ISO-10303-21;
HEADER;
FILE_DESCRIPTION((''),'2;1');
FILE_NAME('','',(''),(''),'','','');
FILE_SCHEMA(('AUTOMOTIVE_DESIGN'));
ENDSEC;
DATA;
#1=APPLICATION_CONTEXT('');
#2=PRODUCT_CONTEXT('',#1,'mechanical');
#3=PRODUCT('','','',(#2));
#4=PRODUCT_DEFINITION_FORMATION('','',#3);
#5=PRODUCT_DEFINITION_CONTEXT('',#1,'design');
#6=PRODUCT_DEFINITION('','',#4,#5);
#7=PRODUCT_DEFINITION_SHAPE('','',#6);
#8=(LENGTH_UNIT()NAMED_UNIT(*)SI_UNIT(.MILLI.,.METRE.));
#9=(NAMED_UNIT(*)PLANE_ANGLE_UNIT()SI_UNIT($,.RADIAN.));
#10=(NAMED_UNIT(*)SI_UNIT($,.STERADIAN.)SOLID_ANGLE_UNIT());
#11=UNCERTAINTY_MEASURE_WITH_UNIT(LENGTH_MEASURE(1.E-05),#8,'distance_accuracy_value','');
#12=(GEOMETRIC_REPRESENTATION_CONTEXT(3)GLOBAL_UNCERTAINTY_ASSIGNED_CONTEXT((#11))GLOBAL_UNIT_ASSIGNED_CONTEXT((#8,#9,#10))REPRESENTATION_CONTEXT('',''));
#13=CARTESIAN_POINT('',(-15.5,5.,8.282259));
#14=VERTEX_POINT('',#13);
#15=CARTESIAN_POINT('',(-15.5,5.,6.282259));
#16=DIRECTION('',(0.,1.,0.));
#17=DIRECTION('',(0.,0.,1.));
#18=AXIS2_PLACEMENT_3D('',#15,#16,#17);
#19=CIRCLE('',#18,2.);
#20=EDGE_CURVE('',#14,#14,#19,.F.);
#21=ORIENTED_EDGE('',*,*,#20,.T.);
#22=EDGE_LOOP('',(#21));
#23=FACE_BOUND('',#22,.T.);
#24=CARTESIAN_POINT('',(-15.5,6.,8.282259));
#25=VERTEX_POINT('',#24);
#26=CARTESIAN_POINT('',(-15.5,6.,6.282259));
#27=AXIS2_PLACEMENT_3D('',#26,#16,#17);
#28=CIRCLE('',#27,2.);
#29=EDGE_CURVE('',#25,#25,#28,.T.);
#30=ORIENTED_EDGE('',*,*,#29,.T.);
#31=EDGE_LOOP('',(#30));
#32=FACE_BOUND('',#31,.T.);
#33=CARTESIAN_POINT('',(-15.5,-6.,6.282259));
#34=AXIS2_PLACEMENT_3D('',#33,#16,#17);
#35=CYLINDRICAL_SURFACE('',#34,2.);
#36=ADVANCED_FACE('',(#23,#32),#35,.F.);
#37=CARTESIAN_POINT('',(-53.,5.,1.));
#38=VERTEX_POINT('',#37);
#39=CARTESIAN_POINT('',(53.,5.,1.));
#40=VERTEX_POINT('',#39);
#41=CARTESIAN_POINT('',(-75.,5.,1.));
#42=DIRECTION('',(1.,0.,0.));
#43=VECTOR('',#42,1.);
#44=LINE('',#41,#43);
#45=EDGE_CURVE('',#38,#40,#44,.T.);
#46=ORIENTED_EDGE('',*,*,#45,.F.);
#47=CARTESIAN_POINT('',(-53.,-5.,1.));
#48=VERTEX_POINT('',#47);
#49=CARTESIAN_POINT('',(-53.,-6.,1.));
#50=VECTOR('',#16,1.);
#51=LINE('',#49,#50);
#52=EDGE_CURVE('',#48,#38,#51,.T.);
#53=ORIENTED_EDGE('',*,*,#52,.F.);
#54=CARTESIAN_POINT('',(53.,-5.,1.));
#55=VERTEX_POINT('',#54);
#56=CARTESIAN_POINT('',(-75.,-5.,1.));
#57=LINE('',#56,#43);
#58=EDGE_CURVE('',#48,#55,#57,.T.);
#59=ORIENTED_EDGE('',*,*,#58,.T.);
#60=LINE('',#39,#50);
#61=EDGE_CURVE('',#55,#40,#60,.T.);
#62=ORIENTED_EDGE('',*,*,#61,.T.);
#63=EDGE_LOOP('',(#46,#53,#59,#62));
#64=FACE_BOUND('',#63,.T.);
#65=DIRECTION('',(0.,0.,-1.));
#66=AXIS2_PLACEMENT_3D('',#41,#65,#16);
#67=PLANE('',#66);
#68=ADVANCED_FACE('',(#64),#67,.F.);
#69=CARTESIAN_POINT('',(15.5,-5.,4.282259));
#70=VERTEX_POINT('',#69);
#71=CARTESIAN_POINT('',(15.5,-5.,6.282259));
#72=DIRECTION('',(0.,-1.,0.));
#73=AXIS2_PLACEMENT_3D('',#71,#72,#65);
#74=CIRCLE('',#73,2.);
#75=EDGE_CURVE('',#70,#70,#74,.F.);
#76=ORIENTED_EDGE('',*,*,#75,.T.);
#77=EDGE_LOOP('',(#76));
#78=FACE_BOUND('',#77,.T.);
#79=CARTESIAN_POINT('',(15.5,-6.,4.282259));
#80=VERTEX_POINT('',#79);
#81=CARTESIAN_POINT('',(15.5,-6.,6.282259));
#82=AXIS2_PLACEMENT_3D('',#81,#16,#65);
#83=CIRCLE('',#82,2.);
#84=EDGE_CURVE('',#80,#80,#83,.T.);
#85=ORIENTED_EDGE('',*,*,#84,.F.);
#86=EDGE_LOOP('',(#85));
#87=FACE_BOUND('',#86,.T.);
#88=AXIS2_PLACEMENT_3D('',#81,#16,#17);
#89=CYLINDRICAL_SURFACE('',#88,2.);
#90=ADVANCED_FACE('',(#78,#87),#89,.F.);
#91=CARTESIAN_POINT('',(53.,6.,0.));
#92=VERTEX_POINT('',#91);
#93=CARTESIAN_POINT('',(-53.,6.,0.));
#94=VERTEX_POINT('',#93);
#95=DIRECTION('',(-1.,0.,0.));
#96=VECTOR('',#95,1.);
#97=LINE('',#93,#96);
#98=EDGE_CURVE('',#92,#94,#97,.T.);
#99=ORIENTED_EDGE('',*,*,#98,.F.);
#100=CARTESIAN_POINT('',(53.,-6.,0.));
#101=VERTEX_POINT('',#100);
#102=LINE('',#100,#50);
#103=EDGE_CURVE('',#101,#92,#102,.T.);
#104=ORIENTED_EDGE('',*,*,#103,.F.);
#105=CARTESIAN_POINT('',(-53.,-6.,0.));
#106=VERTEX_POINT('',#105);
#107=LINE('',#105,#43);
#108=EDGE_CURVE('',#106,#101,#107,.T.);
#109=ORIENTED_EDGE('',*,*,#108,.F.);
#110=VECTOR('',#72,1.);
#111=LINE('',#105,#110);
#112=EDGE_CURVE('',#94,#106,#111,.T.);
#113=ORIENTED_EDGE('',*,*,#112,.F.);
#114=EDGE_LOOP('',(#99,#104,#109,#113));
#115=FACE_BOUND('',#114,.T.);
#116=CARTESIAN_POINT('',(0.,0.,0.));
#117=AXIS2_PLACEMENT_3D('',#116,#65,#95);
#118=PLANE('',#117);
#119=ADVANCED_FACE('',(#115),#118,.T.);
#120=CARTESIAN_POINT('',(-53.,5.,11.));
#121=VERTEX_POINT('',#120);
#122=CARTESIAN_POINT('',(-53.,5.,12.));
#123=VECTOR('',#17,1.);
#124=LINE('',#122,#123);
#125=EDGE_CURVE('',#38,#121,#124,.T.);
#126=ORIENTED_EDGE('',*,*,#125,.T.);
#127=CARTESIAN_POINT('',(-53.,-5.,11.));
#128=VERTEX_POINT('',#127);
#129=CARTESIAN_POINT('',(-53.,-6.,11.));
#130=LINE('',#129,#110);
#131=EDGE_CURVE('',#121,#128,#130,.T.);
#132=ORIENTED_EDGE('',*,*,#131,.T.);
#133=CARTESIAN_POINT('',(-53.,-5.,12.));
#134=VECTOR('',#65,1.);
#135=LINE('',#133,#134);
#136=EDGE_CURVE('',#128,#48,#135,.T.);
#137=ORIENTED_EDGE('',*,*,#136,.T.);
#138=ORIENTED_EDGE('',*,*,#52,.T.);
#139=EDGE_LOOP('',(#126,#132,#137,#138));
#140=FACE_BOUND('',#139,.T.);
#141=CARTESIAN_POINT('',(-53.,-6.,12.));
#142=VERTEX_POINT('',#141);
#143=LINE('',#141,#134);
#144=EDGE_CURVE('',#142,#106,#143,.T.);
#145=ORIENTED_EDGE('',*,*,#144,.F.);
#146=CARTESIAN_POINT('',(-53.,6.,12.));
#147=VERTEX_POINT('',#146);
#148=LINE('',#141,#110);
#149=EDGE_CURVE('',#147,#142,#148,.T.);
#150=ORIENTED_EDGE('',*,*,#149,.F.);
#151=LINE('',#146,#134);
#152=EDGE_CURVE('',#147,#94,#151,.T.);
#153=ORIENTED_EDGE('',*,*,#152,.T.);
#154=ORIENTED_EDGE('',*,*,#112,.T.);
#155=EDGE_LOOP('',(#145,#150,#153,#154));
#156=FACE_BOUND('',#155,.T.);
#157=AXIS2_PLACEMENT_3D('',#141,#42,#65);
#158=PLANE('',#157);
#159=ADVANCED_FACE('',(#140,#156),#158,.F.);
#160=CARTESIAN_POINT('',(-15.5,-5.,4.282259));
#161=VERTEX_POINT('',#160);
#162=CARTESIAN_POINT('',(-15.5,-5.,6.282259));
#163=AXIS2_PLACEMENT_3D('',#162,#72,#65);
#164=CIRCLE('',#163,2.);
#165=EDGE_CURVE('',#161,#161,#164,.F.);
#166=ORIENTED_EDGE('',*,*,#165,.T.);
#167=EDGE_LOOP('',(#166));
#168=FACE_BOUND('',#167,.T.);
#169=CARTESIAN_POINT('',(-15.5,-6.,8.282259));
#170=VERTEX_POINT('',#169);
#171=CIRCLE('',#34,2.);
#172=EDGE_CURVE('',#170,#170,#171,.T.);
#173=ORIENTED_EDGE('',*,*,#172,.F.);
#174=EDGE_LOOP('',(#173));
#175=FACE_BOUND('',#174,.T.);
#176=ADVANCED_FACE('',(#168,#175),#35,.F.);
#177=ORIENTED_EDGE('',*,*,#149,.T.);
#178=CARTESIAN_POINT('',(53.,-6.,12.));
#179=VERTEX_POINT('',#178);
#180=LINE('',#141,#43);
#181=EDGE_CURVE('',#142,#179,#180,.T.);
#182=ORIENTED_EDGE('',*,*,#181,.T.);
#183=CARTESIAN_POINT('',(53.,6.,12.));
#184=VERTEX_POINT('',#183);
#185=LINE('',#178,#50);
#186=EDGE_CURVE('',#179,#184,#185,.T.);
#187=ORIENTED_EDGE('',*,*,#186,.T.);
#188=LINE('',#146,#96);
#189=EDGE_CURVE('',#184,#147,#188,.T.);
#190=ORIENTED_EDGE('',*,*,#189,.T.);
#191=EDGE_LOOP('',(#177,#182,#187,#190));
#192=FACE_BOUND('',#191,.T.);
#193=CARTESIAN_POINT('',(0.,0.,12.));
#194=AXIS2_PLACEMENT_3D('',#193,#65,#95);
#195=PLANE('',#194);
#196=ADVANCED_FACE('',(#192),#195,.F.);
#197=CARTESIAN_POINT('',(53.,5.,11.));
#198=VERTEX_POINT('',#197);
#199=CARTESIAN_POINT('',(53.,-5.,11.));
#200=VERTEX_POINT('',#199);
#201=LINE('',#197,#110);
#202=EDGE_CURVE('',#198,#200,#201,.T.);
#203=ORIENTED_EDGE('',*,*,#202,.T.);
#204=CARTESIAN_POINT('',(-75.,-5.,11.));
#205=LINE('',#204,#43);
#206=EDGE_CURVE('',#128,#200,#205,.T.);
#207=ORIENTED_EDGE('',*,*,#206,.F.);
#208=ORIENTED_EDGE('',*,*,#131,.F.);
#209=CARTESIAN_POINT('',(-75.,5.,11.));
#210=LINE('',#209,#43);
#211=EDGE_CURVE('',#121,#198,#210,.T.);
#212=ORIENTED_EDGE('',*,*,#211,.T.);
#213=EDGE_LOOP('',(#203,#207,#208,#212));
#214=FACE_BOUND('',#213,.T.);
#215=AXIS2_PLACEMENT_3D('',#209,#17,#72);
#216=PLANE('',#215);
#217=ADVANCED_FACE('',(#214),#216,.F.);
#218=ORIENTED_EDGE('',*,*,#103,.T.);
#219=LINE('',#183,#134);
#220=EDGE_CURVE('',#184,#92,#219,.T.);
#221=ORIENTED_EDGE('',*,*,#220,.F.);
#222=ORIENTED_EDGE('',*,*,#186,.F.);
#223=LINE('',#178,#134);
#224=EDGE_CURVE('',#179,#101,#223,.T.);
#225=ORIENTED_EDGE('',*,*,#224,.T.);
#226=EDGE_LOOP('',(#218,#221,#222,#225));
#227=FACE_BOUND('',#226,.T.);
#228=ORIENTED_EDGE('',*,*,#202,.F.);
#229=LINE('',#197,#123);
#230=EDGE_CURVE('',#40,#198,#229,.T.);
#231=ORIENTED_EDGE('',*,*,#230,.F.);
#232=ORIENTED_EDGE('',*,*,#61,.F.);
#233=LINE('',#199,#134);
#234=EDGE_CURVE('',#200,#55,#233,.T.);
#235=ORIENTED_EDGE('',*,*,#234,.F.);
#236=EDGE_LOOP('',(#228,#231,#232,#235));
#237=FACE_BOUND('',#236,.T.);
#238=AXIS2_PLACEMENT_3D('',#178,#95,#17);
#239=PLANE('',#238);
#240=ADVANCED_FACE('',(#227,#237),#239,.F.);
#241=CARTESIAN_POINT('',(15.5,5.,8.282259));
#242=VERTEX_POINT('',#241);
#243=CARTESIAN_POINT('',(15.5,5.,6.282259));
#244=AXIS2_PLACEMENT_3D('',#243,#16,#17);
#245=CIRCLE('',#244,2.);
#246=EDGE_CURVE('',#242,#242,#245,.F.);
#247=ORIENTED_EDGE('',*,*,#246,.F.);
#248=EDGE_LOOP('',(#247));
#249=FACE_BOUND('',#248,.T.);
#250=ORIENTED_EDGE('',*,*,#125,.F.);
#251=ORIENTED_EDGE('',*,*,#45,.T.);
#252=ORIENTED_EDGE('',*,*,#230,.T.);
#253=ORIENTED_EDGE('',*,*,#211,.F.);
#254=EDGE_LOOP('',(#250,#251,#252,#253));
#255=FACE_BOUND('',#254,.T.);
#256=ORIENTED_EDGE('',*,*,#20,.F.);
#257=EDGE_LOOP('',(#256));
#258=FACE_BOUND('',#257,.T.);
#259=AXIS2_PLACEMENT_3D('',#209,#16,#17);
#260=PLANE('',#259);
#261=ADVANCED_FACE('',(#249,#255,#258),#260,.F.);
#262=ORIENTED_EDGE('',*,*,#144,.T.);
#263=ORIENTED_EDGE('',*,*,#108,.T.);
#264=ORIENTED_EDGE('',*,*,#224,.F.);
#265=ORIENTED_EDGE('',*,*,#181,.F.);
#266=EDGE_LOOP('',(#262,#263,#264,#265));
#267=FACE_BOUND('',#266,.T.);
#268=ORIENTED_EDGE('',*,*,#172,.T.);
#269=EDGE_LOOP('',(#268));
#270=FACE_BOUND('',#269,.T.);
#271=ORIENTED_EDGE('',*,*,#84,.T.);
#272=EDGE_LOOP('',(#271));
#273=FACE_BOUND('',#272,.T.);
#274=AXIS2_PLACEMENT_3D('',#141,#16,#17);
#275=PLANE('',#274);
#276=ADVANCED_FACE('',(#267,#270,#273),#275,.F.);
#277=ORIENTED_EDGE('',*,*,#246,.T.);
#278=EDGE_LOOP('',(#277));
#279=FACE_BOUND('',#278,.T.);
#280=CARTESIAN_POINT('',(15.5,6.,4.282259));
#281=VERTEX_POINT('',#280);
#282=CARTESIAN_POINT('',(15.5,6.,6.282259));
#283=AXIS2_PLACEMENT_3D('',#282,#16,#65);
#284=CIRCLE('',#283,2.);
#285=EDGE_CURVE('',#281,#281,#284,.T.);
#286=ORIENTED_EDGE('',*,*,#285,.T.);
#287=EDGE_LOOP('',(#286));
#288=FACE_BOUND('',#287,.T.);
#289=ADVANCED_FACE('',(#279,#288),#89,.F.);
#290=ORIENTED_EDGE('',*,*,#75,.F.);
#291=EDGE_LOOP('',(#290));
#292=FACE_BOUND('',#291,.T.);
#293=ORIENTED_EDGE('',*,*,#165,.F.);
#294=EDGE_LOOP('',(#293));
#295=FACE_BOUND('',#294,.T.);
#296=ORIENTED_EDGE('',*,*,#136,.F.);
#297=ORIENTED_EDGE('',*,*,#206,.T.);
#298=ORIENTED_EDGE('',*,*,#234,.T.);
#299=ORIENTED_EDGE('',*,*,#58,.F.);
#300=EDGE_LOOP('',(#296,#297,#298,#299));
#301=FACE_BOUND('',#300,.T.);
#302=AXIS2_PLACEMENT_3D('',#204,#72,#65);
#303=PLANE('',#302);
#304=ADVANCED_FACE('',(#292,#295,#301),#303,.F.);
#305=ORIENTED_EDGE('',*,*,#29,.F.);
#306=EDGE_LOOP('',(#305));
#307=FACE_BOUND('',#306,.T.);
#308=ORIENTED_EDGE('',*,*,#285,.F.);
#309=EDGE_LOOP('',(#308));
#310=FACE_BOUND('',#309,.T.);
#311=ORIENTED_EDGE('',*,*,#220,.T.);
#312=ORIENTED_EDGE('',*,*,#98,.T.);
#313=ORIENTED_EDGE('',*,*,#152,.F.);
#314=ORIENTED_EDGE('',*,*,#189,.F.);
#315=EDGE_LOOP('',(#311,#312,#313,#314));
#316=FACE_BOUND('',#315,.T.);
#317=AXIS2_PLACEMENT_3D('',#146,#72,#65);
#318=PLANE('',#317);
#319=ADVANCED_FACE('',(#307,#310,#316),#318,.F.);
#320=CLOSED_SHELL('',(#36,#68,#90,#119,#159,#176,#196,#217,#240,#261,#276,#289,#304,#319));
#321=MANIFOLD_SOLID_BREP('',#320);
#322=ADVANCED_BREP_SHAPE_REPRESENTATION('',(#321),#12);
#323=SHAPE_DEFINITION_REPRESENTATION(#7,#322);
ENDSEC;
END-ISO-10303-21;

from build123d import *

# Parameters (mm, degrees)
SKETCH1_W           = 106
SKETCH1_H           = 12
BOSS_EXTRUDE1_DEPTH = 12
SKETCH2_R           = 2
CUT_EXTRUDE1_DEPTH  = 12
SKETCH3_W           = 10
SKETCH3_H           = 10
CUT_EXTRUDE2_DEPTH  = 128


with BuildPart() as part:
    # Sketch1 → Boss-Extrude1 (new body)
    with BuildSketch(Plane.XY):
        Rectangle(SKETCH1_W, SKETCH1_H)
    extrude(amount=BOSS_EXTRUDE1_DEPTH)

    # Sketch2 → Cut-Extrude1 (cut)
    with BuildSketch(Plane(origin=(0, 6, 0), x_dir=(1, 0, 0), z_dir=(0, 1, 0))):
        with Locations((-15.5, -6.282258571)):
            Circle(SKETCH2_R)
        with Locations((15.5, -6.282258571)):
            Circle(SKETCH2_R)
    extrude(amount=-CUT_EXTRUDE1_DEPTH, mode=Mode.SUBTRACT)

    # Sketch3 → Cut-Extrude2 (cut)
    with BuildSketch(Plane(origin=(53, 0, 0), x_dir=(0, 0, -1), z_dir=(1, 0, 0))):
        with Locations((-6, 0)):
            Rectangle(SKETCH3_W, SKETCH3_H)
    extrude(amount=-CUT_EXTRUDE2_DEPTH, mode=Mode.SUBTRACT)


solid = part.part
